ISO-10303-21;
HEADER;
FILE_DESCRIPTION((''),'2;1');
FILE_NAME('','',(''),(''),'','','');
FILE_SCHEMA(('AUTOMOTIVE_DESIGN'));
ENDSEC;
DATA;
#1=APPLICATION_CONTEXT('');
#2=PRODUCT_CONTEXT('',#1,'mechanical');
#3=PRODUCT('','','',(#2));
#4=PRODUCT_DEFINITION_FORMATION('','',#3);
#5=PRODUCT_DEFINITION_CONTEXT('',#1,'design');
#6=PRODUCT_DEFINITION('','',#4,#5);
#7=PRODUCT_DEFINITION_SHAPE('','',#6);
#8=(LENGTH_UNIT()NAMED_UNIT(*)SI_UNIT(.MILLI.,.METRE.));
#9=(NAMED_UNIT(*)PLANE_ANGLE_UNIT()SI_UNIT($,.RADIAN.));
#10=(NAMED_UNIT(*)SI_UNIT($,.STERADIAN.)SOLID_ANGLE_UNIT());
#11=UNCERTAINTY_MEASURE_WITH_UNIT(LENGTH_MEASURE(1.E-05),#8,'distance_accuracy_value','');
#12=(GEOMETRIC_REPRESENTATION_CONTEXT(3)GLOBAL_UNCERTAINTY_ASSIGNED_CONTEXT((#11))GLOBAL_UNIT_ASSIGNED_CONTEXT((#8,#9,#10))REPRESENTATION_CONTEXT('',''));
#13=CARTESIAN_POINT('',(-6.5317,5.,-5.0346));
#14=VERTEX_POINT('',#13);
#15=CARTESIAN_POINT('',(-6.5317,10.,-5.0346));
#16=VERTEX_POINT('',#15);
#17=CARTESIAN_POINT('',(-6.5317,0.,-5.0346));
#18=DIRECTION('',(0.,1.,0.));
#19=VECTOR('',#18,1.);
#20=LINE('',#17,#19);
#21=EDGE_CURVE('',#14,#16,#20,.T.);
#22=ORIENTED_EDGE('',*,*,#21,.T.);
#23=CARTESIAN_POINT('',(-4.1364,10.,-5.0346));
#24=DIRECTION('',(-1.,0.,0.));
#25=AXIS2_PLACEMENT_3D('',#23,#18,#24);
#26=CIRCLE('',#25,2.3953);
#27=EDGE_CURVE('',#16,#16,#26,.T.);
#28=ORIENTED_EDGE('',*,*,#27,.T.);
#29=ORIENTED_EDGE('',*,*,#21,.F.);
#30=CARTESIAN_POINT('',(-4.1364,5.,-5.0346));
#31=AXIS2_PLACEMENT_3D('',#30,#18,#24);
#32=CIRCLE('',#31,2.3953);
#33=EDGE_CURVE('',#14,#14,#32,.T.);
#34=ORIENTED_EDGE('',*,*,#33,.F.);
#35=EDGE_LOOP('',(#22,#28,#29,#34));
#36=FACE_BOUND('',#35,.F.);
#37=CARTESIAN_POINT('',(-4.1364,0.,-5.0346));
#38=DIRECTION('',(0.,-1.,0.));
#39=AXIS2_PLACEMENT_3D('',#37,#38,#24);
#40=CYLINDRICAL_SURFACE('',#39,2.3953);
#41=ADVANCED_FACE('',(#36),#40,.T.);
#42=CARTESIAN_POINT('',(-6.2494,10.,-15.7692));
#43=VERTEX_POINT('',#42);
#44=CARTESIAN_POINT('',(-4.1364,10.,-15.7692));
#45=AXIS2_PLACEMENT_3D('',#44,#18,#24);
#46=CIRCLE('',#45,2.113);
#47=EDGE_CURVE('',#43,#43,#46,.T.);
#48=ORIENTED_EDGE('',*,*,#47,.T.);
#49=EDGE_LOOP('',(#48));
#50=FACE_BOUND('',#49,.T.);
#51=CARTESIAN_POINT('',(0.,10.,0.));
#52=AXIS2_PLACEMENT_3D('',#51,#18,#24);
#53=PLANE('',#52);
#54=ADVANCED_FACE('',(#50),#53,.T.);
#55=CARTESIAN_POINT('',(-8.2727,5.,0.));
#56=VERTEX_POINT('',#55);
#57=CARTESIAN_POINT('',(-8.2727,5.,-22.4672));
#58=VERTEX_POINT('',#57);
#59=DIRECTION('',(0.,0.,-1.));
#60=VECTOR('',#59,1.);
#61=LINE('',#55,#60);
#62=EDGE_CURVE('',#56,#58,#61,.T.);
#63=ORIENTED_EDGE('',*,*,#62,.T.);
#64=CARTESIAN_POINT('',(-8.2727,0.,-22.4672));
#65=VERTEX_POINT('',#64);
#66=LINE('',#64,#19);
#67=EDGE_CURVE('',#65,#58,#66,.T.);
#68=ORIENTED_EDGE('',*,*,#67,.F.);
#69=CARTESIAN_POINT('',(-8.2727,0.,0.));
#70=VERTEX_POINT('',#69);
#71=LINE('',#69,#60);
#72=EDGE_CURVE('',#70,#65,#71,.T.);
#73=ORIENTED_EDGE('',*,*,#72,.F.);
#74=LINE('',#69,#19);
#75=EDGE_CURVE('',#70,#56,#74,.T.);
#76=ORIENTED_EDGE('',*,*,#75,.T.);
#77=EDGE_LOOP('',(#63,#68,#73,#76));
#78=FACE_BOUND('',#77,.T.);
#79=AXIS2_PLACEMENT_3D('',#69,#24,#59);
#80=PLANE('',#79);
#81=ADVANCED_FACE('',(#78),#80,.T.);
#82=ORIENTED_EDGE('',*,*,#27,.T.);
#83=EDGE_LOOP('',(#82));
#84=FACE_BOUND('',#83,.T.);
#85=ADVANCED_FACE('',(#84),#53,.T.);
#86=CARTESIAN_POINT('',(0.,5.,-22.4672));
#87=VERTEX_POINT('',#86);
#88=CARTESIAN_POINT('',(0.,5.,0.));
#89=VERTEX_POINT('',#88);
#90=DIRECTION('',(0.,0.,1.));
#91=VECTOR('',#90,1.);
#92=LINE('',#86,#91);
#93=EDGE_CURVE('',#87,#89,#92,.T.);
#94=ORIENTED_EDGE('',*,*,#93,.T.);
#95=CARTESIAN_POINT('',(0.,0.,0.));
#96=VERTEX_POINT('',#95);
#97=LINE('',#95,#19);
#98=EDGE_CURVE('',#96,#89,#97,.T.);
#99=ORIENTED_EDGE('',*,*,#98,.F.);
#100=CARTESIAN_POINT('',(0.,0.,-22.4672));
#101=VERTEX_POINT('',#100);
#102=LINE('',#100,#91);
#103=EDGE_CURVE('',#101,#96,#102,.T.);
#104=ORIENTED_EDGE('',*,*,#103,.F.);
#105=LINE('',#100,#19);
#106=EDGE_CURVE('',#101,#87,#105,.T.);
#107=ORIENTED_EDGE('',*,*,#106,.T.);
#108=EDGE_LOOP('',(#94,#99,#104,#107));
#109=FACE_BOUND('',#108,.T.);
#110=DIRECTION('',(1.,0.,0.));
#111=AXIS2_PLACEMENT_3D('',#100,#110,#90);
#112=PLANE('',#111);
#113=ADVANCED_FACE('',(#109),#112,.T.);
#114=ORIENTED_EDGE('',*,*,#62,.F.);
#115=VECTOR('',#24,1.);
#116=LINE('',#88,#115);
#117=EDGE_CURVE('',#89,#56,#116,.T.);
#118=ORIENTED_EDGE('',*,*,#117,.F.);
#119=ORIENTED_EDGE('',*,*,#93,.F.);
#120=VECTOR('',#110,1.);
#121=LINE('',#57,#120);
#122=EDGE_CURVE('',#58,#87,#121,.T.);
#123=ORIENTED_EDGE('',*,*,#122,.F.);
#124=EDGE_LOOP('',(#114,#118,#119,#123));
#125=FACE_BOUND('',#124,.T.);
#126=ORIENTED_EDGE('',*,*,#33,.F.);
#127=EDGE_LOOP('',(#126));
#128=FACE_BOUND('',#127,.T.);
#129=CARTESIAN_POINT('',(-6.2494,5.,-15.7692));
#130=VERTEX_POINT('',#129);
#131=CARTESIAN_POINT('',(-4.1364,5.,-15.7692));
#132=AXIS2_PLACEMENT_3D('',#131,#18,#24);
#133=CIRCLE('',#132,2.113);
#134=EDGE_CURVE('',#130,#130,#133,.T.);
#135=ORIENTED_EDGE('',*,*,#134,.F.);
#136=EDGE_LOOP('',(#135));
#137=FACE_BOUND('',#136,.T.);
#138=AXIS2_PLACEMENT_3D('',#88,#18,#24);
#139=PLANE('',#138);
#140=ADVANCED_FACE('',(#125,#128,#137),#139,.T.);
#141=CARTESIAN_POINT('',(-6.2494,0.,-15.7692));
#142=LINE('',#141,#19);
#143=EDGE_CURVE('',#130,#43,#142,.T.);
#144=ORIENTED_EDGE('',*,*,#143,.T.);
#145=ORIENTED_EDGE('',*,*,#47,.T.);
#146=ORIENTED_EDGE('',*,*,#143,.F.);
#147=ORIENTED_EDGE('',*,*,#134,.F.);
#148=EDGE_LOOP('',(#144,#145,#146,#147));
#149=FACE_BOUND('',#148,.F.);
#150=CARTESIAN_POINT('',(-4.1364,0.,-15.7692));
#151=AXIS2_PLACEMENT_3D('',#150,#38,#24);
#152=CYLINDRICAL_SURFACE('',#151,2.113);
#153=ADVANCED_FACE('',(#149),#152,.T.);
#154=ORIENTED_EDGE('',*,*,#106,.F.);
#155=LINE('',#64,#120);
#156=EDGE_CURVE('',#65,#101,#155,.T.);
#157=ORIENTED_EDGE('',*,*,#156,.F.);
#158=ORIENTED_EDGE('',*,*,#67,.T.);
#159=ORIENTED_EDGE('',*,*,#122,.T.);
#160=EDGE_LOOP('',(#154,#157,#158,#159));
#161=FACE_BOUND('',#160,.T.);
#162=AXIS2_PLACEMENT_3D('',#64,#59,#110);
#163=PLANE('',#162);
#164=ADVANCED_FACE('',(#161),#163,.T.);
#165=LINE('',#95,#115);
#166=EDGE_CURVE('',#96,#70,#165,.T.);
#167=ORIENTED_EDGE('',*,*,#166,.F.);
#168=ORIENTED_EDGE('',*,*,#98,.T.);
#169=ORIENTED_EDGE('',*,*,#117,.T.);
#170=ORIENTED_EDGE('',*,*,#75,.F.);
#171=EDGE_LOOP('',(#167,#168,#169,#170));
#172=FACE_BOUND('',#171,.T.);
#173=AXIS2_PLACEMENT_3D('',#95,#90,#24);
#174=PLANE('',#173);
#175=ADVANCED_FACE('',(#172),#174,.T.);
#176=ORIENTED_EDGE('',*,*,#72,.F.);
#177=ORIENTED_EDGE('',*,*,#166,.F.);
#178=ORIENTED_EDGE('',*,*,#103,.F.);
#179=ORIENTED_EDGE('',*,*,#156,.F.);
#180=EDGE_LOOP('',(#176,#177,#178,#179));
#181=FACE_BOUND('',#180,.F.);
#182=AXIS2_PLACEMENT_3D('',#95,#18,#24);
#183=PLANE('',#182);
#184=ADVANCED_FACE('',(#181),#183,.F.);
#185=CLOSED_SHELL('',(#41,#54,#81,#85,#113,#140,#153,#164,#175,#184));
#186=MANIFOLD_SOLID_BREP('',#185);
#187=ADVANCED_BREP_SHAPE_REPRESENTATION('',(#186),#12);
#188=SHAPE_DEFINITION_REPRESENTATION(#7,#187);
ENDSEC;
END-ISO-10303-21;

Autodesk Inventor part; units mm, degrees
ref_plane "YZ Plane" through (0, 0, 0) normal (1, 0, 0) x (0, 1, 0)
ref_plane "XZ Plane" through (0, 0, 0) normal (0, 1, 0) x (-1, 0, 0)
ref_plane "XY Plane" through (0, 0, 0) normal (0, 0, 1) x (1, 0, 0)
sketch "Sketch1" plane through (0, 0, 0) normal (0, 1, 0) x (-1, 0, 0)
  line L0 (0, 0) -> (8.2727, 0)
  line L1 (8.2727, 0) -> (8.2727, -22.4672)
  line L2 (8.2727, -22.4672) -> (0, -22.4672)
  line L3 (0, -22.4672) -> (0, 0)
  circle A0 centre (4.1364, -5.0346) radius 2.3953
  circle A1 centre (4.1364, -15.7692) radius 2.113
extrude "Extrusion1" add sketch "Sketch1" along normal blind 5
extrude "Extrusion2" add sketch "Sketch1" along normal blind 10 contours A0 | A1
properties part number ","
